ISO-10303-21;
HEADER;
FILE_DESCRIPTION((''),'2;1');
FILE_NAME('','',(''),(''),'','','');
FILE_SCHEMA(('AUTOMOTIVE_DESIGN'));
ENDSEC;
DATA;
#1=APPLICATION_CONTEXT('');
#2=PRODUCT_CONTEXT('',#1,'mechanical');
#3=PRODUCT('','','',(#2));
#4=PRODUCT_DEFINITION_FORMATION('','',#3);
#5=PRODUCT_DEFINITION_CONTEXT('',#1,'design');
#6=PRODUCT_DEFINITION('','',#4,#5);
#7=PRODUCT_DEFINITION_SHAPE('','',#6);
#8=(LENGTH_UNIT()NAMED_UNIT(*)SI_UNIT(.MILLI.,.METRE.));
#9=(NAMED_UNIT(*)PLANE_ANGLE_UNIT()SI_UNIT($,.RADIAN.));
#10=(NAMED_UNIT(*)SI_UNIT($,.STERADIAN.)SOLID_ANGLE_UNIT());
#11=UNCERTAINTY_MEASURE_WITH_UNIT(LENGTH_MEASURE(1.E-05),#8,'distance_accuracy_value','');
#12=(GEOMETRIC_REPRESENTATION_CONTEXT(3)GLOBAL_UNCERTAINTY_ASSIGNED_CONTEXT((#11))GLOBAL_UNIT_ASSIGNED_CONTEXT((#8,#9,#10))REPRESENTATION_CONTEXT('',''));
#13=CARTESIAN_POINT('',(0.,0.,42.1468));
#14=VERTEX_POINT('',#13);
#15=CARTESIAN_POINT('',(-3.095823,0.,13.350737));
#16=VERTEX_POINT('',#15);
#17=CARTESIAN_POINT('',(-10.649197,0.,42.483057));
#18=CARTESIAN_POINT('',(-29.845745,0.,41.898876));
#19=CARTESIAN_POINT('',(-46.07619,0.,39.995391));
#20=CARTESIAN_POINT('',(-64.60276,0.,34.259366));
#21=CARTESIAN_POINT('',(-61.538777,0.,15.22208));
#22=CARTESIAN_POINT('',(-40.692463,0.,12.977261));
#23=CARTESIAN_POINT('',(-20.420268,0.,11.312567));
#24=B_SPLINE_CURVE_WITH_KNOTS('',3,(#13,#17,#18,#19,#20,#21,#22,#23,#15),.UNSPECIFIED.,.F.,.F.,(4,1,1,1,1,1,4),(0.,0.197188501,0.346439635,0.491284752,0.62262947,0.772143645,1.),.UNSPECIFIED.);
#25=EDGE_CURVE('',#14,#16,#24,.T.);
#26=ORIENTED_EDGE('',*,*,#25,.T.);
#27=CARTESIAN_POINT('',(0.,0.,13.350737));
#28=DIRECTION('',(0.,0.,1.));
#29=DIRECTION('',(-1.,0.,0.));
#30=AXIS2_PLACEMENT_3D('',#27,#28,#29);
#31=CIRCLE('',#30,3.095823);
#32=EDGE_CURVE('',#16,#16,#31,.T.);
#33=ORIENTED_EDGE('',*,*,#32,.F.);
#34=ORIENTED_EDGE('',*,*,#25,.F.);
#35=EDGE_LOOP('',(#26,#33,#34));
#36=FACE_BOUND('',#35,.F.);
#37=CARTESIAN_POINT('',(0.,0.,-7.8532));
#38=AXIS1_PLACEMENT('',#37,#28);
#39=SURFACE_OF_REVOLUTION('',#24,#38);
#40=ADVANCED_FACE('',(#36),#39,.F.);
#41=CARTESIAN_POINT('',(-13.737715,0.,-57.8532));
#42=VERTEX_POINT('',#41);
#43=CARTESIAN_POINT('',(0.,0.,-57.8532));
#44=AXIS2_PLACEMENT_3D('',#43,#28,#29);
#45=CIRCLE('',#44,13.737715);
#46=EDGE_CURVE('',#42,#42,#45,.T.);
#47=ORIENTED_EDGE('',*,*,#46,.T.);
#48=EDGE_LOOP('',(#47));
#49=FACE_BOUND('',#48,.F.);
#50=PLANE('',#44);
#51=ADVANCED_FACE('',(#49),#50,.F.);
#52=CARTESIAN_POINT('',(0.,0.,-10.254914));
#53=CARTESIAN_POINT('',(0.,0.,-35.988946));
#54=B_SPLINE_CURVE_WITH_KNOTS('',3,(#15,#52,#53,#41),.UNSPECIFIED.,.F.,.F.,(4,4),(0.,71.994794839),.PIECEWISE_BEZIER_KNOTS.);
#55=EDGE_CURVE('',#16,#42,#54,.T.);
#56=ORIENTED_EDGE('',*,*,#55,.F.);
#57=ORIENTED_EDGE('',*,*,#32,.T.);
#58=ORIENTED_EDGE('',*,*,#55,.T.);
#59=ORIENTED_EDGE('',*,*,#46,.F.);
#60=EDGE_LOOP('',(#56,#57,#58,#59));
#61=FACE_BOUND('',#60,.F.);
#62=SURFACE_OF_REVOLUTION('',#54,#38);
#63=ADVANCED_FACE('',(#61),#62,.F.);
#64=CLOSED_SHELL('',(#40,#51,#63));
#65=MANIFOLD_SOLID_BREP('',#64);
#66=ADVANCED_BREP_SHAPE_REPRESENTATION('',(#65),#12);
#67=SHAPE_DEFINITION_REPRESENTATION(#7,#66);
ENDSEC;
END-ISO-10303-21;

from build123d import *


with BuildPart() as f1:
    # F0 (on Front) → F1 (revolve)
    with BuildSketch(Plane.XZ):
        with BuildLine():
            Line((0, -57.8531995416), (0, 42.1468004584))
            add(Edge.make_bspline(
                [(0, 42.1468004584), (-10.6491965106, 42.4830572489), (-29.8457453716, 41.8988756404), (-46.0761903777, 39.9953905425), (-64.602760121, 34.2593659816), (-61.5387773435, 15.2220795305), (-40.6924628799, 12.9772610244), (-20.420268456, 11.3125672127), (-3.0958228745, 13.3507372811)],
                knots=[0, 0, 0, 0, 0.1971885014, 0.3464396353, 0.4912847523, 0.6226294698, 0.7721436447, 1, 1, 1, 1], degree=3))
            add(Edge.make_bspline(
                [(-3.0958228745, 13.3507372811), (0, -10.254913941), (0, -35.988945514), (-13.7377148494, -57.8531995416)],
                knots=[0, 0, 0, 0, 71.9947948387, 71.9947948387, 71.9947948387, 71.9947948387], degree=3))
            Line((-13.7377148494, -57.8531995416), (0, -57.8531995416))
        make_face()
    revolve(axis=Axis((0, 0, -7.8531995416), (0, 0, 1)))


solid = f1.part
